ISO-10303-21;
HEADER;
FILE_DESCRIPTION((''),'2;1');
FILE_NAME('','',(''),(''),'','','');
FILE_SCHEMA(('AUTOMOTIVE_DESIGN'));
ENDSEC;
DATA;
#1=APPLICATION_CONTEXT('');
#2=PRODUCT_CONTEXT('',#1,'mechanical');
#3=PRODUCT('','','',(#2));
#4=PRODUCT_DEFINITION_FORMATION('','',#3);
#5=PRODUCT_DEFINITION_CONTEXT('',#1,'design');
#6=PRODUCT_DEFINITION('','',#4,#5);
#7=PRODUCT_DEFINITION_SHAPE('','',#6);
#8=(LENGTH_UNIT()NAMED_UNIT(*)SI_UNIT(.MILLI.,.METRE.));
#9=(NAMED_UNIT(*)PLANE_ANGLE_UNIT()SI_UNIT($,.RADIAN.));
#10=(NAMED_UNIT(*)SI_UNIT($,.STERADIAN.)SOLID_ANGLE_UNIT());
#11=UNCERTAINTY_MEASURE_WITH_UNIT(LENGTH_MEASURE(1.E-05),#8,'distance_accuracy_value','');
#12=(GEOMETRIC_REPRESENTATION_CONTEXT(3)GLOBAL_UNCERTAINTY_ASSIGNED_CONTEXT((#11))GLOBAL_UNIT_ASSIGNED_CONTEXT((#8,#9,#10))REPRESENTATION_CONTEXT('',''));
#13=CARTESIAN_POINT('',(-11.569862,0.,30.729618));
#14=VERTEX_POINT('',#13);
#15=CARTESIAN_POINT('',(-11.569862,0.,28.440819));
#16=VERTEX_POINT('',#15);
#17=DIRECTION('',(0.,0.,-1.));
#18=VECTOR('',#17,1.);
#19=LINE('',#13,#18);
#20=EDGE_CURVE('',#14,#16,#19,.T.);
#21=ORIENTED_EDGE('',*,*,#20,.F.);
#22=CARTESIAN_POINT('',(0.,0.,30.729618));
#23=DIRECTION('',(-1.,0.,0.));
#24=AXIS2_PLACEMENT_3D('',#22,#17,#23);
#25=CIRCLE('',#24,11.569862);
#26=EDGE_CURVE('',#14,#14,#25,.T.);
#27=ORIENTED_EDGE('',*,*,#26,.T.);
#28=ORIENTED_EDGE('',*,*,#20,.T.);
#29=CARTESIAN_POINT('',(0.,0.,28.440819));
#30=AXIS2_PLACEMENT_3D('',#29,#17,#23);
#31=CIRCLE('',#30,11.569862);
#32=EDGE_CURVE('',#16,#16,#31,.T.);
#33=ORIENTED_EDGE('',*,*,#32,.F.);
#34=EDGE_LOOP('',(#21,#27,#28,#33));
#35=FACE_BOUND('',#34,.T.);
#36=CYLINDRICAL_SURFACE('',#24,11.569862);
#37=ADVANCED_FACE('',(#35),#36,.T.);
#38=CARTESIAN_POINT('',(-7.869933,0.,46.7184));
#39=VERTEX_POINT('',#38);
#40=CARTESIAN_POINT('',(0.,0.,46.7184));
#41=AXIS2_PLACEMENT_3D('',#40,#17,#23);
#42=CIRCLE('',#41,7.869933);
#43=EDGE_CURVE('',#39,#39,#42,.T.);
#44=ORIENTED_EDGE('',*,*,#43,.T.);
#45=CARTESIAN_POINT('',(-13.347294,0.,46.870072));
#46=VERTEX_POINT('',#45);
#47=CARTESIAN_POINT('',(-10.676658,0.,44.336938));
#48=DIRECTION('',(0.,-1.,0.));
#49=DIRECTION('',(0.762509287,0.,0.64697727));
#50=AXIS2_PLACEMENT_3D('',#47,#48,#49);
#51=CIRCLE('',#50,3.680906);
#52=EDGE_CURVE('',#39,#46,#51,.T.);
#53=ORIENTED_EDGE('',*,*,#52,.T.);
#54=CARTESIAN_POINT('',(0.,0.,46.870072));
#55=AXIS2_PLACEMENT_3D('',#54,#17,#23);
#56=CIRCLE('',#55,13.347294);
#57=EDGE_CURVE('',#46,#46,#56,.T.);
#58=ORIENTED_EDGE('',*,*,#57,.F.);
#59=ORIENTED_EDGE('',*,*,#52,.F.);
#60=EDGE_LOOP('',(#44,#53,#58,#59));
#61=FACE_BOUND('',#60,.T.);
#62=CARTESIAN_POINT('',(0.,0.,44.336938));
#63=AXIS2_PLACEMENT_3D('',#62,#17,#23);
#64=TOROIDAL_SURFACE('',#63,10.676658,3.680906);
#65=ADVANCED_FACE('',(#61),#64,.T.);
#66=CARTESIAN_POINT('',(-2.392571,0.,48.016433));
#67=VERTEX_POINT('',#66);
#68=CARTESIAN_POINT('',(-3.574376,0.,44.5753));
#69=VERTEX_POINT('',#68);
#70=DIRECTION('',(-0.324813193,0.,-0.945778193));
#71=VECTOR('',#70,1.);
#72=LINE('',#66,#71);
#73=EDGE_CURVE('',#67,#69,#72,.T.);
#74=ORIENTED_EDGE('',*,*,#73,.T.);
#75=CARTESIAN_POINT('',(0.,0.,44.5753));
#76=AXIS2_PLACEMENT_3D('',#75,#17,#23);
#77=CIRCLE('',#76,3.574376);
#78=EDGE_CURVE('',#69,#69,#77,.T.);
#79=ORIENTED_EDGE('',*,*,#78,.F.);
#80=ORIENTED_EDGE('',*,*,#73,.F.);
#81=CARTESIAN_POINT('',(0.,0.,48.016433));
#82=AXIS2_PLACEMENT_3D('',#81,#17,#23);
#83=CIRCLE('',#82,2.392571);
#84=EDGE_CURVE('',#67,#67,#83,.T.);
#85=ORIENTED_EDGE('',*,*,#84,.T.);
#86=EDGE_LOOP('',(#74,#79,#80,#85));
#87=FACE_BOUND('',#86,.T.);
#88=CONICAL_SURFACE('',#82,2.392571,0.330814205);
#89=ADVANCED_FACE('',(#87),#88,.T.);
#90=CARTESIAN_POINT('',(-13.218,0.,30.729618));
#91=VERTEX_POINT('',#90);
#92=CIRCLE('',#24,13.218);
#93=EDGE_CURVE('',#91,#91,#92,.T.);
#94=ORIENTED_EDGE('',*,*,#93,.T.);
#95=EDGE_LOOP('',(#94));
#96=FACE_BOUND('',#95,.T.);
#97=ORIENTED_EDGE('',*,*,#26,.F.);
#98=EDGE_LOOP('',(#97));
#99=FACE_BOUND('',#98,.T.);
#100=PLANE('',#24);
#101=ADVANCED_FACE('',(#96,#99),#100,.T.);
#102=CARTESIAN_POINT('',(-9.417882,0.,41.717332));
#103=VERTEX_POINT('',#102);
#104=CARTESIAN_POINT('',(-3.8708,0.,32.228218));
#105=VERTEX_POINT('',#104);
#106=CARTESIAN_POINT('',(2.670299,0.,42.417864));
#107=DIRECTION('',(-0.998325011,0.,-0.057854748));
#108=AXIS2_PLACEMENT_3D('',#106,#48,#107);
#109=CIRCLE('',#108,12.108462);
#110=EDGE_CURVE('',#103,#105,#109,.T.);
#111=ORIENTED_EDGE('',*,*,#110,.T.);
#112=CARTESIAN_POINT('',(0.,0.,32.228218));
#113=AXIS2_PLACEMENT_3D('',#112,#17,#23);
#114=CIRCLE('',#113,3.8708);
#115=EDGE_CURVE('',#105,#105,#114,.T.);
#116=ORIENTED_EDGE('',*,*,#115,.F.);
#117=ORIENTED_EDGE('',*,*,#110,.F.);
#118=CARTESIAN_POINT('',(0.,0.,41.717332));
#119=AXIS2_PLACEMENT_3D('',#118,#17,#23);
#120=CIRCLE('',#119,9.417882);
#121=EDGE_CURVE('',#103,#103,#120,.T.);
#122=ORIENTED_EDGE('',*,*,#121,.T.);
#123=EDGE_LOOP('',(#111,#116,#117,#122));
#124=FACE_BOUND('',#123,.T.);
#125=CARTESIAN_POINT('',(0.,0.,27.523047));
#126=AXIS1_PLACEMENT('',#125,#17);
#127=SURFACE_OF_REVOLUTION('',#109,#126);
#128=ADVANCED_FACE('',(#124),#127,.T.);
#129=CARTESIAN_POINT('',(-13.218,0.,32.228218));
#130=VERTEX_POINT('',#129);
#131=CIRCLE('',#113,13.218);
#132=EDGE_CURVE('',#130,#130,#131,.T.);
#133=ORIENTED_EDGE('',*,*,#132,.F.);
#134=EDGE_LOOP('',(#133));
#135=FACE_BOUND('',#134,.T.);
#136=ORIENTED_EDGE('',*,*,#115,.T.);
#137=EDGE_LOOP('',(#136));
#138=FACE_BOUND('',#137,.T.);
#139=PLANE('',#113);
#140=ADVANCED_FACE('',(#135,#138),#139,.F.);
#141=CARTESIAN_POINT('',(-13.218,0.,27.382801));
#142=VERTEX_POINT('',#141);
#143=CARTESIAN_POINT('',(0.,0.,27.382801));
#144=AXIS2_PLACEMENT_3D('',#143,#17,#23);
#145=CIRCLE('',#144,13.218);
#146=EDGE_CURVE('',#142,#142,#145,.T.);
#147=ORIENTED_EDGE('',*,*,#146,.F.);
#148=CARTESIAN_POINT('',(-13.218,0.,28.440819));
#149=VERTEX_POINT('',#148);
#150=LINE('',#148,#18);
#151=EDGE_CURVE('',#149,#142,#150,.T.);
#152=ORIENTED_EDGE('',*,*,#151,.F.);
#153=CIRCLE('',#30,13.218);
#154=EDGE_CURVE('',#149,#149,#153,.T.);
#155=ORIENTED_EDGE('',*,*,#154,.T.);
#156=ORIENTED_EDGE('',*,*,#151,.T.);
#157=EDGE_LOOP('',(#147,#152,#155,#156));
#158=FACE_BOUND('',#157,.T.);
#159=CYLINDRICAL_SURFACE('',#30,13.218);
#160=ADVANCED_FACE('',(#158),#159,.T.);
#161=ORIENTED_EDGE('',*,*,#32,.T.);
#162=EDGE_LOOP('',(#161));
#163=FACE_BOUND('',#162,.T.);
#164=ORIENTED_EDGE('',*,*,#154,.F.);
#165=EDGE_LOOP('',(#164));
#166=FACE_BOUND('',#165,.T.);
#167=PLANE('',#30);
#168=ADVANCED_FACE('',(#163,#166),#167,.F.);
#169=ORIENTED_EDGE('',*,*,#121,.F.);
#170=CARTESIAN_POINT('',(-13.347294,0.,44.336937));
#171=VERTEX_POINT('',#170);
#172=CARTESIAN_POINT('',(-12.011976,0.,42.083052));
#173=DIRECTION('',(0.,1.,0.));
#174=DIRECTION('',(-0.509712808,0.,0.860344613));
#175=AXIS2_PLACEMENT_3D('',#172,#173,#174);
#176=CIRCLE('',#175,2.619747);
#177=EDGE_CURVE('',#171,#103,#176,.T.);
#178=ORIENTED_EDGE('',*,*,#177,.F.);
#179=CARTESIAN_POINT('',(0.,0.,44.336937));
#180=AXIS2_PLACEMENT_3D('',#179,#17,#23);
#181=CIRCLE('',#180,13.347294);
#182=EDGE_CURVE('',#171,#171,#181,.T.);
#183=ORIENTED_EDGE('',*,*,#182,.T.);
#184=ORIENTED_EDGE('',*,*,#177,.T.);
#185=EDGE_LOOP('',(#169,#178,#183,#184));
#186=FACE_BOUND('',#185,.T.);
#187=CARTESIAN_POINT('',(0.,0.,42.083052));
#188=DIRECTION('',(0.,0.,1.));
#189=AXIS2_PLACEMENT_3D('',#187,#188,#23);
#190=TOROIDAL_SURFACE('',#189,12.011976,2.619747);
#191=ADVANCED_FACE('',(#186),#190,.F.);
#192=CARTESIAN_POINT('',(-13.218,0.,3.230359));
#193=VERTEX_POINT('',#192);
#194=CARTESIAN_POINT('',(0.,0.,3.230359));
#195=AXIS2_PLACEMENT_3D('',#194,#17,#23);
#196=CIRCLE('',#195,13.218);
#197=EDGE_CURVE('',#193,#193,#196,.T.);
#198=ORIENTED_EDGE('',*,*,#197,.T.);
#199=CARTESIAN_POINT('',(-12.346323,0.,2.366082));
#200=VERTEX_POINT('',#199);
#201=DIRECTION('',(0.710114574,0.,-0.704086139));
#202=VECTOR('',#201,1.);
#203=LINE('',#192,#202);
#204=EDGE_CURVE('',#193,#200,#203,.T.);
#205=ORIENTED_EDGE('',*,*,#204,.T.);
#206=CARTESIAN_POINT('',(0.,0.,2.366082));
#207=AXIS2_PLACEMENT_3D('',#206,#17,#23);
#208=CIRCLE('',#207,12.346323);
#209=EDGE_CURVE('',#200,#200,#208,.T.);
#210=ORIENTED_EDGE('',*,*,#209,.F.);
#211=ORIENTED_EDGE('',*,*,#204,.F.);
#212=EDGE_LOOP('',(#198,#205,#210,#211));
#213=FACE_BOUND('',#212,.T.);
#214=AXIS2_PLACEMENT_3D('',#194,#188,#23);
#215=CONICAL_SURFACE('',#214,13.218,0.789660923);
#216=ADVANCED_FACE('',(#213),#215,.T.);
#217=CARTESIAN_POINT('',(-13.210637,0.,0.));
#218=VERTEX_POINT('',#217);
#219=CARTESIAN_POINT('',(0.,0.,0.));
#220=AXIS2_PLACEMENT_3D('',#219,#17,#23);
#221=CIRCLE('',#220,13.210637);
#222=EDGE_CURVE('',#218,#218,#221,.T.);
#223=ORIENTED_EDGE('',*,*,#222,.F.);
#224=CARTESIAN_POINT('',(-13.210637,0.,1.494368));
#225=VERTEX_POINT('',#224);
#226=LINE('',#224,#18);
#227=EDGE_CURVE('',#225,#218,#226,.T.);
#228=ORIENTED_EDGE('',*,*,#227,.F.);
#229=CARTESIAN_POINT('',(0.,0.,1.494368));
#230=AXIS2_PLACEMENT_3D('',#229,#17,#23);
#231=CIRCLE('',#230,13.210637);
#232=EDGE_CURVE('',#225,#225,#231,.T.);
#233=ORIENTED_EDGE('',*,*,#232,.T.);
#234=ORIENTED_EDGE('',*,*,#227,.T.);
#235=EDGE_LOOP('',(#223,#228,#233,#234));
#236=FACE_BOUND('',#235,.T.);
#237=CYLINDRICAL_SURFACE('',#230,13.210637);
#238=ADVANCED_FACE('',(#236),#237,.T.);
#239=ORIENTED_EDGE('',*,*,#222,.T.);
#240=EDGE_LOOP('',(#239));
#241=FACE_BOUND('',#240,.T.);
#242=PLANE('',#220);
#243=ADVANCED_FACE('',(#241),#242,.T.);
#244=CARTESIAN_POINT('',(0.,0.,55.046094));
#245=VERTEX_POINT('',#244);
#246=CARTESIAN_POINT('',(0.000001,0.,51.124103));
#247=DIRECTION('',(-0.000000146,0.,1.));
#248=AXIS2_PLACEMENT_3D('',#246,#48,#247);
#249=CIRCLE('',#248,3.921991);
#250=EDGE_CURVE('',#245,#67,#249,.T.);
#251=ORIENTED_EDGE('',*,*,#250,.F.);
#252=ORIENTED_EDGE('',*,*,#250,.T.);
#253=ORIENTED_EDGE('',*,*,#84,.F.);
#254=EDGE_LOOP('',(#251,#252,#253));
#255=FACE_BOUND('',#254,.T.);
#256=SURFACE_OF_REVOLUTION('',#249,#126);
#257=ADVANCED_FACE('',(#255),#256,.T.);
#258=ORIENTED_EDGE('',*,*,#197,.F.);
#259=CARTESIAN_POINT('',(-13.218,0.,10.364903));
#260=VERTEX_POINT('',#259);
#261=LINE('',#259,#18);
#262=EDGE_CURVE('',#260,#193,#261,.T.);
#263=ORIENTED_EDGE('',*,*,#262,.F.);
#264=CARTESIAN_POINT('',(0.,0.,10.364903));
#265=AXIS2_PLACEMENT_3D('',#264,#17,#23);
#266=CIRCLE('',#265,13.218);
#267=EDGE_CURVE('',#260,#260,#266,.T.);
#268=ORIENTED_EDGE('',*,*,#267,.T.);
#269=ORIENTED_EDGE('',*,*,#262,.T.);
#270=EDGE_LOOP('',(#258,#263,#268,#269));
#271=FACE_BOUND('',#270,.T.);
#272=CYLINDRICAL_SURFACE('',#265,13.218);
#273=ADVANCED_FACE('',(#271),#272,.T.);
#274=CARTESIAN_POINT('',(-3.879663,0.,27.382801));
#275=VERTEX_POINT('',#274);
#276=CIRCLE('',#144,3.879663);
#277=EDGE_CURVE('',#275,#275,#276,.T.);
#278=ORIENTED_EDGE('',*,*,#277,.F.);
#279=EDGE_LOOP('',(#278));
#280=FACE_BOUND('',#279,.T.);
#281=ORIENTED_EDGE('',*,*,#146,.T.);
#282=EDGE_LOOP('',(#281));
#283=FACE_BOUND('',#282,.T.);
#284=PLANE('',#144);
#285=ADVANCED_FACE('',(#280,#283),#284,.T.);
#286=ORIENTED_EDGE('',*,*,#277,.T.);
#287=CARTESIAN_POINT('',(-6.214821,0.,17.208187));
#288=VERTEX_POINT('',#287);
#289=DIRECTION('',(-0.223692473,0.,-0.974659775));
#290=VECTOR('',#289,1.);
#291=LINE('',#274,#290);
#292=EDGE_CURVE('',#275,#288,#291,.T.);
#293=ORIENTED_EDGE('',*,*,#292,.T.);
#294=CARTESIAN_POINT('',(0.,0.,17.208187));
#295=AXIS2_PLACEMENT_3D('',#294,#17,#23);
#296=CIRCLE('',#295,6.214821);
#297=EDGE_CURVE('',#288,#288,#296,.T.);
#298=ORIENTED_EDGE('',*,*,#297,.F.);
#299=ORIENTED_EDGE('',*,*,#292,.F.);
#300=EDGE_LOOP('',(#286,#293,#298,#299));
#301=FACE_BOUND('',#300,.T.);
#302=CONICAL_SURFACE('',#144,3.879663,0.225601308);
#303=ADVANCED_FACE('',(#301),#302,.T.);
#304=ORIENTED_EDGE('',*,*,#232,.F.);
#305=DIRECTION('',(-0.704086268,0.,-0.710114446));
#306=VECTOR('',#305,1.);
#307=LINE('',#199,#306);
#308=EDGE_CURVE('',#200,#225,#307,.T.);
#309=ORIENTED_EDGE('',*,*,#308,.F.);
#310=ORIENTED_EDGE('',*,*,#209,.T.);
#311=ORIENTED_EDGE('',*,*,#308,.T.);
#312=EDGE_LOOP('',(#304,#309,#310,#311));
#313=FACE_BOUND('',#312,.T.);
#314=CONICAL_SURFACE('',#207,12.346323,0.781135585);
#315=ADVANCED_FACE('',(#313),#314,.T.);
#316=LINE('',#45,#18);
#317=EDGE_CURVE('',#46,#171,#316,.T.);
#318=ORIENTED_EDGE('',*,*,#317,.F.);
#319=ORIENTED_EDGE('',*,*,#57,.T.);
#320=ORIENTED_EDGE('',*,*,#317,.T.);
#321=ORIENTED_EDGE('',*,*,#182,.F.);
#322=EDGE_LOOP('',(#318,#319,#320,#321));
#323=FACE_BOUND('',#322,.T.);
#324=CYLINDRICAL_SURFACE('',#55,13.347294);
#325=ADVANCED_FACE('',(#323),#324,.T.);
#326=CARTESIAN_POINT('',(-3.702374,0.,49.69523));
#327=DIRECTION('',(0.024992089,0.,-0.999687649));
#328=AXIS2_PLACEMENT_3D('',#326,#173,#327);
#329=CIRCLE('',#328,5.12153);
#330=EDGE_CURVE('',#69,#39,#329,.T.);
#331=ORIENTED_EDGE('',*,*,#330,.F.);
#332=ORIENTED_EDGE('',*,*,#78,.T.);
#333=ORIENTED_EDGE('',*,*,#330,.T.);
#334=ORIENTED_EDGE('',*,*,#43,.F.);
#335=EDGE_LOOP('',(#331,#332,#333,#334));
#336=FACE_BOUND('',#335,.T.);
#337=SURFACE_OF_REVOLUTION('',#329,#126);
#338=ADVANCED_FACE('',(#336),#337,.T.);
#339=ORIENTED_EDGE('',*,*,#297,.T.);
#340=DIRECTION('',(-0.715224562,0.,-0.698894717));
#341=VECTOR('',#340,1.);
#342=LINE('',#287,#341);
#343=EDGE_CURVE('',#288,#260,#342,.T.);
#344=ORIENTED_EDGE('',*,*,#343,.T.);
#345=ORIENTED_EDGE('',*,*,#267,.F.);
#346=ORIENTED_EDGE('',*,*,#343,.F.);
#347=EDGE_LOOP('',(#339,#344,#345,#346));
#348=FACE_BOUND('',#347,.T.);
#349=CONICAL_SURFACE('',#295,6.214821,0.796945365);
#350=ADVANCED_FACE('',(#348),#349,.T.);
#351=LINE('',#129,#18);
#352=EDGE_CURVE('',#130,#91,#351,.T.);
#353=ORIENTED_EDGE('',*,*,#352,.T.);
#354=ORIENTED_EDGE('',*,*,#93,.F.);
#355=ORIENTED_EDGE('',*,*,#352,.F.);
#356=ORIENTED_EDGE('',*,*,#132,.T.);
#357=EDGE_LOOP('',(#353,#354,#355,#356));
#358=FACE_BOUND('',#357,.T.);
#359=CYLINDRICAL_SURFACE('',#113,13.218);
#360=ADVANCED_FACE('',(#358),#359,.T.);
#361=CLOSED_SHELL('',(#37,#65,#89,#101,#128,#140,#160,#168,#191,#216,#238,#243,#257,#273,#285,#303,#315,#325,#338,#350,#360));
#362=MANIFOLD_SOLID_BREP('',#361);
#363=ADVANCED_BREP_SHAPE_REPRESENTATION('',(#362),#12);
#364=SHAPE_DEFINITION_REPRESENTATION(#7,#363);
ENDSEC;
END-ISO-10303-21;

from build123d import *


with BuildPart() as f1:
    # F0 (on Front) → F1 (revolve)
    with BuildSketch(Plane.XZ):
        with BuildLine():
            Line((-13.210637, 0), (0, 0))
            Line((0, 0), (0, 2.366082))
            Line((0, 2.366082), (0, 55.046094))
            ThreePointArc((0, 55.046094), (-3.712833, 52.38778), (-2.392571, 48.016433))
            Line((-2.392571, 48.016433), (-3.574376, 44.5753))
            ThreePointArc((-3.574376, 44.5753), (-5.988798, 45.1124), (-7.869933, 46.7184))
            ThreePointArc((-7.869933, 46.7184), (-10.57477, 48.016433), (-13.347294, 46.870072))
            Line((-13.347294, 46.870072), (-13.347294, 44.336937))
            ThreePointArc((-13.347294, 44.336937), (-10.558803, 44.262814), (-9.417882, 41.717332))
            ThreePointArc((-9.417882, 41.717332), (-7.78309, 36.307093), (-3.8708, 32.228218))
            Line((-3.8708, 32.228218), (-13.218, 32.228218))
            Line((-13.218, 32.228218), (-13.218, 30.729618))
            Line((-13.218, 30.729618), (-11.569862, 30.729618))
            Line((-11.569862, 30.729618), (-11.569862, 28.440819))
            Line((-11.569862, 28.440819), (-13.218, 28.440819))
            Line((-13.218, 28.440819), (-13.218, 27.382801))
            Line((-13.218, 27.382801), (-3.879663, 27.382801))
            Line((-3.879663, 27.382801), (-6.214821, 17.208187))
            Line((-6.214821, 17.208187), (-13.218, 10.364903))
            Line((-13.218, 10.364903), (-13.218, 3.230359))
            Line((-13.218, 3.230359), (-12.346323, 2.366082))
            Line((-12.346323, 2.366082), (-13.210637, 1.494368))
            Line((-13.210637, 1.494368), (-13.210637, 0))
        make_face()
    revolve(axis=Axis((0, 0, 27.523047), (0, 0, -1)))


solid = f1.part
